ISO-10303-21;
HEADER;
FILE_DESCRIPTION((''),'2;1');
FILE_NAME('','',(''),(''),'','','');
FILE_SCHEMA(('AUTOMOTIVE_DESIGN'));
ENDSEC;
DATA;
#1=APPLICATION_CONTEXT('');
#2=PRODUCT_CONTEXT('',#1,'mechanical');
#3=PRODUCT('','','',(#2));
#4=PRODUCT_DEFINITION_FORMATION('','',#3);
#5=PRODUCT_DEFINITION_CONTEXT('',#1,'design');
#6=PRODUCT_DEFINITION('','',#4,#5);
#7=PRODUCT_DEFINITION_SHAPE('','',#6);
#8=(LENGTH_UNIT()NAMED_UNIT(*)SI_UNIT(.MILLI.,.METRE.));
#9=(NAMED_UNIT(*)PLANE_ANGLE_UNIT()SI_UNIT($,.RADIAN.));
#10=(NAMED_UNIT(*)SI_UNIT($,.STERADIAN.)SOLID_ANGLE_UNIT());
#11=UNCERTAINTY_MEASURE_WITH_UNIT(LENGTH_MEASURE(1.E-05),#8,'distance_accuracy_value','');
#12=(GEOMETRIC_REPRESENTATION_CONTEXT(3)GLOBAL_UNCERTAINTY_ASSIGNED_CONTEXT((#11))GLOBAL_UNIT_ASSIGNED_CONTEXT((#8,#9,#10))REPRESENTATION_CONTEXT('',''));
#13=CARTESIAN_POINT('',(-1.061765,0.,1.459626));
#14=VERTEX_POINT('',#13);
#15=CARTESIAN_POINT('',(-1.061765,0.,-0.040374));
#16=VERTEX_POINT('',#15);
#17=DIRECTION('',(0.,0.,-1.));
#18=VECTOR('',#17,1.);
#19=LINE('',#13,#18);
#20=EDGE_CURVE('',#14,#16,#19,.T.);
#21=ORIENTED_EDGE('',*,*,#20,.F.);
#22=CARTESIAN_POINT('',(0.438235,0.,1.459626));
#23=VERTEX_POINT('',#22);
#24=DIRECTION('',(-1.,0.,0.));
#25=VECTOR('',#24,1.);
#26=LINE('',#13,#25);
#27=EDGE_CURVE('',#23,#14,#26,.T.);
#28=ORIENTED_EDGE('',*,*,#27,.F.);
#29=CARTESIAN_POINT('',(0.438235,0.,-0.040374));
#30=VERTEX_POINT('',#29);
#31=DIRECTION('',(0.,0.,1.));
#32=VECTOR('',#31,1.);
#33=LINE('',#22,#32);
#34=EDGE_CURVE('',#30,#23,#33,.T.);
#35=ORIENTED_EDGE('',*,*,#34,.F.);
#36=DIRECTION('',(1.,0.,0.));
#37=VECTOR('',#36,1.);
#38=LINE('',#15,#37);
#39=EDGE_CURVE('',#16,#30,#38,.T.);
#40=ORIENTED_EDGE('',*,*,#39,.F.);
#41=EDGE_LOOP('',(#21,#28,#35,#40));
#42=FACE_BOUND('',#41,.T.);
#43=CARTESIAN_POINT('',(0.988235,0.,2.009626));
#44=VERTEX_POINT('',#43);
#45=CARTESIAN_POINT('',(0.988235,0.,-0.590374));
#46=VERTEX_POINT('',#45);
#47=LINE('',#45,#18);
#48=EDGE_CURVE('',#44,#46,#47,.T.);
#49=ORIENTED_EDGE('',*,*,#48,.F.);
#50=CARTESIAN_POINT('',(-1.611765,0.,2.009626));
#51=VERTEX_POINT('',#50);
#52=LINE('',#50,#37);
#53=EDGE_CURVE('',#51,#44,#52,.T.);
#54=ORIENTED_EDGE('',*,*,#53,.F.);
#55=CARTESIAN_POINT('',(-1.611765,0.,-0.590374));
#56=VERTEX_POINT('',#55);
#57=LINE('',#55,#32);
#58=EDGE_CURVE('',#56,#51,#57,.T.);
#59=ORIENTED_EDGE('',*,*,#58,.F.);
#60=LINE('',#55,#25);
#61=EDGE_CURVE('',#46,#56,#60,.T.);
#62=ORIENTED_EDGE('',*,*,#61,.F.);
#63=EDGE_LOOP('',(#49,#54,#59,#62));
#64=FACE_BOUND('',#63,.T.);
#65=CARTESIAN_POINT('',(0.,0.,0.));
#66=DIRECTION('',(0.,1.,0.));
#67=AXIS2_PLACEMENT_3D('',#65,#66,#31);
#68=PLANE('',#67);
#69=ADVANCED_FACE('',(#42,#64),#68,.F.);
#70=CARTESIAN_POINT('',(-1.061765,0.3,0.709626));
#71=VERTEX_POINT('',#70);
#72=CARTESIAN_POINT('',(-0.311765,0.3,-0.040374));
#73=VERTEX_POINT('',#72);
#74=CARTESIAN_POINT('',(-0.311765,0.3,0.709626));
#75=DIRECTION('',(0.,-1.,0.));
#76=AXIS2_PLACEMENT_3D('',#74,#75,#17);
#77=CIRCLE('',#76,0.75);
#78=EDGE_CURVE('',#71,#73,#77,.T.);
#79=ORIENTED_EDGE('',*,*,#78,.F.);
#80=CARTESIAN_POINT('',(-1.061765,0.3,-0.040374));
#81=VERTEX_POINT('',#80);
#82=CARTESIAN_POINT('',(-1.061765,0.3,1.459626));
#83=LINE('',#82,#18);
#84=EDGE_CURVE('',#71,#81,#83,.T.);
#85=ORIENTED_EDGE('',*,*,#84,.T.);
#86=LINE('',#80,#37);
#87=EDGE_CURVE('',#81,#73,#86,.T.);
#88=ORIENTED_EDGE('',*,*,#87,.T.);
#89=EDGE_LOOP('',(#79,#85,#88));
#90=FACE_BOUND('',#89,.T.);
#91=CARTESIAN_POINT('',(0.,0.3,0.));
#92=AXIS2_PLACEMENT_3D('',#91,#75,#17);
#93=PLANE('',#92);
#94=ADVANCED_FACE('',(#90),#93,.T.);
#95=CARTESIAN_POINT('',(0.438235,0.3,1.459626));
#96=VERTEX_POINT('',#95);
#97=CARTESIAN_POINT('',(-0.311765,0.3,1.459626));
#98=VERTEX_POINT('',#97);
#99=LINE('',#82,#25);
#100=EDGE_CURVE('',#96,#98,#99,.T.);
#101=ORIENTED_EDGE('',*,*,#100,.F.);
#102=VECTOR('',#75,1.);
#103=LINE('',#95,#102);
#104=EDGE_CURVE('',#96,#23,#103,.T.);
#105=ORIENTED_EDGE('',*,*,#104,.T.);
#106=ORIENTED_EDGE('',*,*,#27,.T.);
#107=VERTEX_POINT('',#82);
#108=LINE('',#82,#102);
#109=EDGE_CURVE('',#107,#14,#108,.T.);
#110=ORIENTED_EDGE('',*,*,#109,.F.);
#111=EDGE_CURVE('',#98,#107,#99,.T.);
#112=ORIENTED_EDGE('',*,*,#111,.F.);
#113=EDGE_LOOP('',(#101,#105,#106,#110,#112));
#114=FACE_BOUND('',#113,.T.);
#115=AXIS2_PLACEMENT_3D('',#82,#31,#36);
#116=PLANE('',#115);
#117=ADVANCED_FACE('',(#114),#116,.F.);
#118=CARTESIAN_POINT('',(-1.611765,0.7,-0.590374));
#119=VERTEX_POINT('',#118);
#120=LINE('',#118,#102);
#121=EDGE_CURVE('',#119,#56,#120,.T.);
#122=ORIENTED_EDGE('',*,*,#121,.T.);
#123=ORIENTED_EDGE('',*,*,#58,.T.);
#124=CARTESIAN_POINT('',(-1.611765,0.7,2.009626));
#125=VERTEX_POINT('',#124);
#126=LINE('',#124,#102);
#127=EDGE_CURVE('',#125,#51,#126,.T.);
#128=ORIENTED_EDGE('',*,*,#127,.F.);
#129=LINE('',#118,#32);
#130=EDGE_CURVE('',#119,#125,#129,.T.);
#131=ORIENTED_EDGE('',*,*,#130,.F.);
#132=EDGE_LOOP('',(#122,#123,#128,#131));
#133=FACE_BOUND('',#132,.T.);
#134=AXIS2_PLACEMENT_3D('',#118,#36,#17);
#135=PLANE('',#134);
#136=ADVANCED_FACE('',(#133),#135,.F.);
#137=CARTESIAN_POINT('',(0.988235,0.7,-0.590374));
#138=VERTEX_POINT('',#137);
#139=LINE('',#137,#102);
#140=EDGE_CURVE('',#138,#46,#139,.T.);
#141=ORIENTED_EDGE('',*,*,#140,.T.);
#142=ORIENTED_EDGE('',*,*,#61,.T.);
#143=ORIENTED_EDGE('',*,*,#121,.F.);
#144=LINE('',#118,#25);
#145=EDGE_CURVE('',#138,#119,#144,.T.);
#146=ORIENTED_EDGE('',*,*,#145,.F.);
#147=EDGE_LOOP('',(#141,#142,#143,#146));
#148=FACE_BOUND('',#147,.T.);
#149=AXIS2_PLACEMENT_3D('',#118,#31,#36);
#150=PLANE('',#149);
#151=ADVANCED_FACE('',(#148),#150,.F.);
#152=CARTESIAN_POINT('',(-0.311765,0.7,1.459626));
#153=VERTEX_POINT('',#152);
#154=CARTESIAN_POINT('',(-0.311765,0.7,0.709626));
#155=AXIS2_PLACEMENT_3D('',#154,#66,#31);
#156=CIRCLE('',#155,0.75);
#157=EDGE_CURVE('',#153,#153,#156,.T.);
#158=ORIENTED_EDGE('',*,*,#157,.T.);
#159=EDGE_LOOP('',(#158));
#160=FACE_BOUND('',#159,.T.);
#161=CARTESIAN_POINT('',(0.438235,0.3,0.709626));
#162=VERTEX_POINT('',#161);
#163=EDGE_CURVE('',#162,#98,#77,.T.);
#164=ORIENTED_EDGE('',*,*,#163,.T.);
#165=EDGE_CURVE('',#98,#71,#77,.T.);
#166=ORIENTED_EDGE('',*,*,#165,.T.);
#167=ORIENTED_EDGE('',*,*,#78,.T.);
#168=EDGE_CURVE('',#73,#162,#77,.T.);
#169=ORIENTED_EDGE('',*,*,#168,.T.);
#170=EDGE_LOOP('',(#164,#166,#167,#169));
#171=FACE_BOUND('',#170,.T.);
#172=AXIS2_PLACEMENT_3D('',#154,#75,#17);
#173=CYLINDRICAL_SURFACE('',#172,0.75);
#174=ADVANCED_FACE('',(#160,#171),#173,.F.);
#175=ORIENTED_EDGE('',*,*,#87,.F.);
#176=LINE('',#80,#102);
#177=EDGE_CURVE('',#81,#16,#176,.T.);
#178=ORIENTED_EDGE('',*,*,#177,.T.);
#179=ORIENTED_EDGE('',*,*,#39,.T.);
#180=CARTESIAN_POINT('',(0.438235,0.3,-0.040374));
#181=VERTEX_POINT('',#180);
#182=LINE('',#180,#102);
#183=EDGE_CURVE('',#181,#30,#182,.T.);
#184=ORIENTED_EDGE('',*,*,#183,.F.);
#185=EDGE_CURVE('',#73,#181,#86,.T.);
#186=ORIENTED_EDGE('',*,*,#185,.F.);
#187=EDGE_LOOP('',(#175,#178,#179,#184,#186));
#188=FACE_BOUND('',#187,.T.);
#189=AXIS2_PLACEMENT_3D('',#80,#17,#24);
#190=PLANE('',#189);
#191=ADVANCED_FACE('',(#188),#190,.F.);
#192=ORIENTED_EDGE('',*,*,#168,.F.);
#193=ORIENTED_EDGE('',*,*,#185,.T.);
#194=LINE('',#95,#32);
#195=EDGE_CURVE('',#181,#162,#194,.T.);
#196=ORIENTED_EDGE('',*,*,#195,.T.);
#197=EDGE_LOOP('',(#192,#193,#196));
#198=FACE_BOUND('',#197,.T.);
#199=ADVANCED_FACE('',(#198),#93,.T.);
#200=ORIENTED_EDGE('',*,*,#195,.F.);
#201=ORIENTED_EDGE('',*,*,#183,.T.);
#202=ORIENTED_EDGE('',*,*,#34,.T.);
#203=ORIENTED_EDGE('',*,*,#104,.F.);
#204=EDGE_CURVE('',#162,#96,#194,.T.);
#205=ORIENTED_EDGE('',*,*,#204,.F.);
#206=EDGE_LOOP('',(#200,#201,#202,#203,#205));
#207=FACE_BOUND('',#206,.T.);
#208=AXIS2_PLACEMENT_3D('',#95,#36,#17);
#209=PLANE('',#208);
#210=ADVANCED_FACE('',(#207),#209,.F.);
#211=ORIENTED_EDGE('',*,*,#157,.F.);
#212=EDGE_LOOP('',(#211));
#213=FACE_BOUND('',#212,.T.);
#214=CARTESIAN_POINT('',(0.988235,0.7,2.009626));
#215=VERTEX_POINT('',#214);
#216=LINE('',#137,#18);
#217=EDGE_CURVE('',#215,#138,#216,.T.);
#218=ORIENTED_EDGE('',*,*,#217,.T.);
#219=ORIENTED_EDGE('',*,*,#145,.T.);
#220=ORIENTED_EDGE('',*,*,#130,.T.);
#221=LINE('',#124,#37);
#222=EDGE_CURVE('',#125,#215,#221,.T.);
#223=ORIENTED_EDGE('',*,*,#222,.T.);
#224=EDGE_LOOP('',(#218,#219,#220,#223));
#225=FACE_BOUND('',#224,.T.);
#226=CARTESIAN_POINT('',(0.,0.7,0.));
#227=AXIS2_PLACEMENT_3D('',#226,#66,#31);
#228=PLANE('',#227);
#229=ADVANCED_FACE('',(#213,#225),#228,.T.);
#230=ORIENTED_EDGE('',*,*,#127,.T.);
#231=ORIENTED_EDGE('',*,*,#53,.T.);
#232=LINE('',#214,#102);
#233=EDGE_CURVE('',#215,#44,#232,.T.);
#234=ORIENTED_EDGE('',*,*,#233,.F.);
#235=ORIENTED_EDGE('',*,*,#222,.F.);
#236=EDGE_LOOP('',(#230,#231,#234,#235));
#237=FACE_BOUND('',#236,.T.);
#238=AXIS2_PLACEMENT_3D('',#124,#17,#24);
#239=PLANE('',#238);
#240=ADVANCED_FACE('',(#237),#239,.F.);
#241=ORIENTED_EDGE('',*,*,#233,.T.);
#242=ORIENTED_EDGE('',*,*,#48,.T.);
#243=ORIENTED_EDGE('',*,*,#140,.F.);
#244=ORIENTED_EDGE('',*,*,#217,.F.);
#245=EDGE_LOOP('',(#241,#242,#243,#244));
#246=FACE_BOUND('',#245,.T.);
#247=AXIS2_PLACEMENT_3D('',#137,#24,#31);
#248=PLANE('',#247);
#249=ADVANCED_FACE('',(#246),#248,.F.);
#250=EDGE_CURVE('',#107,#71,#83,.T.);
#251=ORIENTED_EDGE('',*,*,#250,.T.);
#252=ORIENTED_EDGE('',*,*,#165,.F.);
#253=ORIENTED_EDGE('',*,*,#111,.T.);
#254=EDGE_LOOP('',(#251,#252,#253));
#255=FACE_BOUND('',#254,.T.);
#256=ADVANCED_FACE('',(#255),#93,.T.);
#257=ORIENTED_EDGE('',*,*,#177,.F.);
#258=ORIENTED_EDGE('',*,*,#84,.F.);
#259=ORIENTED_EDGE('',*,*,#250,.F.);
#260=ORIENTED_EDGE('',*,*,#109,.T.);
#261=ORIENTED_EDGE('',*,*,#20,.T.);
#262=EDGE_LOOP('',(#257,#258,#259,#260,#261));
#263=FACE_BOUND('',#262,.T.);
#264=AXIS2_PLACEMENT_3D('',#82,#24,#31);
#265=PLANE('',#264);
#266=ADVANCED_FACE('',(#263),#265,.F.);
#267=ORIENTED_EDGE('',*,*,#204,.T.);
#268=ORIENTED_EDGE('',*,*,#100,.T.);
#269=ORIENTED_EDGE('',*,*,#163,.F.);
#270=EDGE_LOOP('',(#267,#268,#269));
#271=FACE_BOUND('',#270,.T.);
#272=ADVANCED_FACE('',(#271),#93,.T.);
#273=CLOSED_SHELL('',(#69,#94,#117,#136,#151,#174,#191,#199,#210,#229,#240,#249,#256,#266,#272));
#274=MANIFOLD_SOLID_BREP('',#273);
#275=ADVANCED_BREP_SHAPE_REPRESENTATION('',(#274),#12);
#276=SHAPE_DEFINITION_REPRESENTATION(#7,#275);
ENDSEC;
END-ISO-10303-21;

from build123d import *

# Parameters (mm, degrees)
SKETCH1_W           = 2.6
SKETCH1_H           = 2.6
SKETCH1_R           = 0.75
BOSS_EXTRUDE1_DEPTH = 0.7
SKETCH2_W           = 1.5
SKETCH2_H           = 1.5
CUT_EXTRUDE1_DEPTH  = 0.3


with BuildPart() as part:
    # Sketch1 → Boss-Extrude1 (new body)
    with BuildSketch(Plane(origin=(0, 0, 0), x_dir=(1, 0, 0), z_dir=(0, 1, 0))):
        with Locations((-0.311764706, -0.709625668)):
            Rectangle(SKETCH1_W, SKETCH1_H)
        with Locations((-0.311764706, -0.709625668)):
            Circle(SKETCH1_R, mode=Mode.SUBTRACT)
    extrude(amount=BOSS_EXTRUDE1_DEPTH)

    # Sketch2 → Cut-Extrude1 (cut)
    with BuildSketch(Plane.XZ):
        with Locations((-0.311764706, 0.709625668)):
            Rectangle(SKETCH2_W, SKETCH2_H)
    extrude(amount=-CUT_EXTRUDE1_DEPTH, mode=Mode.SUBTRACT)


solid = part.part
